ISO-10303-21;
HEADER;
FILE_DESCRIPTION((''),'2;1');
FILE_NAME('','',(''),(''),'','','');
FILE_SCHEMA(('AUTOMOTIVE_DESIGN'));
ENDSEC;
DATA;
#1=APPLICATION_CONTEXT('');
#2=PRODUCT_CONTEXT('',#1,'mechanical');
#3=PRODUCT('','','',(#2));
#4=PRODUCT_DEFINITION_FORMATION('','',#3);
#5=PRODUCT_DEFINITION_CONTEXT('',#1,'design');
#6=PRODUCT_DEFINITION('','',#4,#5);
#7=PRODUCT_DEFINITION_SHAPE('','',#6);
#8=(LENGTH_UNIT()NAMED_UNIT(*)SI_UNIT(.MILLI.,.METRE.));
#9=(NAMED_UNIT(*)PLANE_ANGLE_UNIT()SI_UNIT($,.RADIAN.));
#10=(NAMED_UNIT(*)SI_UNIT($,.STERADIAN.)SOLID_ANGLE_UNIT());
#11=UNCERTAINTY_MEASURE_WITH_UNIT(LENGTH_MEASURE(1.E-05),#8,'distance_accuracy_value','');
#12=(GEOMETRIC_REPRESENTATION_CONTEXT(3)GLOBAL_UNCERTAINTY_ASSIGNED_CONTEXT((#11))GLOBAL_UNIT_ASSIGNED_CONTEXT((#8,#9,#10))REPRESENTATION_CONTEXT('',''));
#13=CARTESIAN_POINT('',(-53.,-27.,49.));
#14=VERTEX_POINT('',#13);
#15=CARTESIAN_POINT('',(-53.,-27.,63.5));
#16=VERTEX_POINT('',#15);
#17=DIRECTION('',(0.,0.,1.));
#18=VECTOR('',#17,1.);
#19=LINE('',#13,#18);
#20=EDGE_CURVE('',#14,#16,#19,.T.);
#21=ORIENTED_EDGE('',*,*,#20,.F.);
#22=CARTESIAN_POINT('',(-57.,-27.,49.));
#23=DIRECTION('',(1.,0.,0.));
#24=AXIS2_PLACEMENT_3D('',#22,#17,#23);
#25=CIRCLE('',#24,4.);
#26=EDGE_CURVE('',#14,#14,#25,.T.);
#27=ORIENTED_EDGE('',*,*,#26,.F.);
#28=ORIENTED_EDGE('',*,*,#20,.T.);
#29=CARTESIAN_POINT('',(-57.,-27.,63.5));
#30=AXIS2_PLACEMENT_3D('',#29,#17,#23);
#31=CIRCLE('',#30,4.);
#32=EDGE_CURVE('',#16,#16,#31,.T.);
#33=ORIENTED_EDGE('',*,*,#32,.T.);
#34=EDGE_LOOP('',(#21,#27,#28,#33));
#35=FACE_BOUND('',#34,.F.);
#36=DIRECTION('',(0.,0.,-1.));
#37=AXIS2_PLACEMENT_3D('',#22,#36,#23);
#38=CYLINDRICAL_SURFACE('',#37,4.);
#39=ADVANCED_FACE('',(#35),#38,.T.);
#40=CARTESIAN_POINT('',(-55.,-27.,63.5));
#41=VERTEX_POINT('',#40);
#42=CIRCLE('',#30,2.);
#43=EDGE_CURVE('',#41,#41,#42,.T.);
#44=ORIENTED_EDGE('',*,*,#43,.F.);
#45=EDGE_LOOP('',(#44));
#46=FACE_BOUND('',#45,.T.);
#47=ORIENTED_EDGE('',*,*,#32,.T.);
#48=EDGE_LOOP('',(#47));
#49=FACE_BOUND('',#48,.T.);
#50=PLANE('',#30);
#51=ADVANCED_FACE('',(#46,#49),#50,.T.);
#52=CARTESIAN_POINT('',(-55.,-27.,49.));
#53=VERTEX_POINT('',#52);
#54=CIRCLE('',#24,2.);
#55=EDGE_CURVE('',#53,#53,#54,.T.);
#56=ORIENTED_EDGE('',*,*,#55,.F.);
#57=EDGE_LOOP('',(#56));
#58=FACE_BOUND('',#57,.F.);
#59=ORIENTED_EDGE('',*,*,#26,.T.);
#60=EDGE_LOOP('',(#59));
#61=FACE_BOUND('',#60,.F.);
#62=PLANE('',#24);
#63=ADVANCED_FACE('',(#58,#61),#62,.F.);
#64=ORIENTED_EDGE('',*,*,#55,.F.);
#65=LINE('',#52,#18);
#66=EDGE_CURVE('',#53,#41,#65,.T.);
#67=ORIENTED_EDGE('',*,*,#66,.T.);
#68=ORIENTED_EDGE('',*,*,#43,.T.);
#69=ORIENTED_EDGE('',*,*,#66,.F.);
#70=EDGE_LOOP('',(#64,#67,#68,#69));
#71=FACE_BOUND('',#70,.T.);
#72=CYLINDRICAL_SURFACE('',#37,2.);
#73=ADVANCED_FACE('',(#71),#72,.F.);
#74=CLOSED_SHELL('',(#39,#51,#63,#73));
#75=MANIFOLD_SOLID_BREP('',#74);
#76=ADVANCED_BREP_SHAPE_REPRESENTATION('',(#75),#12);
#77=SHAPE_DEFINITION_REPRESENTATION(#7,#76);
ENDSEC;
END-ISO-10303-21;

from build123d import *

# Parameters (mm, degrees)
CYLINDER351_R     = 2
CYLINDER351_DEPTH = 14.5
CYLINDER352_R     = 4
CYLINDER352_DEPTH = 14.5


with BuildPart() as cylinder351:
    # Cylinder351 → Cylinder351 (new body)
    with BuildSketch(Plane.XY):
        Circle(CYLINDER351_R)
    extrude(amount=CYLINDER351_DEPTH)


with BuildPart() as spacer2:
    # Cylinder352 → Cylinder352 (new body)
    with BuildSketch(Plane.XY):
        Circle(CYLINDER352_R)
    extrude(amount=CYLINDER352_DEPTH)

    # Cut370: cut Cylinder351
    add(cylinder351.part, mode=Mode.SUBTRACT)


with BuildPart() as spacer2_1:
    # Cut370 placement: moved
    add(spacer2.part.moved(Location((-57, -27, 49))))


solid = spacer2_1.part
